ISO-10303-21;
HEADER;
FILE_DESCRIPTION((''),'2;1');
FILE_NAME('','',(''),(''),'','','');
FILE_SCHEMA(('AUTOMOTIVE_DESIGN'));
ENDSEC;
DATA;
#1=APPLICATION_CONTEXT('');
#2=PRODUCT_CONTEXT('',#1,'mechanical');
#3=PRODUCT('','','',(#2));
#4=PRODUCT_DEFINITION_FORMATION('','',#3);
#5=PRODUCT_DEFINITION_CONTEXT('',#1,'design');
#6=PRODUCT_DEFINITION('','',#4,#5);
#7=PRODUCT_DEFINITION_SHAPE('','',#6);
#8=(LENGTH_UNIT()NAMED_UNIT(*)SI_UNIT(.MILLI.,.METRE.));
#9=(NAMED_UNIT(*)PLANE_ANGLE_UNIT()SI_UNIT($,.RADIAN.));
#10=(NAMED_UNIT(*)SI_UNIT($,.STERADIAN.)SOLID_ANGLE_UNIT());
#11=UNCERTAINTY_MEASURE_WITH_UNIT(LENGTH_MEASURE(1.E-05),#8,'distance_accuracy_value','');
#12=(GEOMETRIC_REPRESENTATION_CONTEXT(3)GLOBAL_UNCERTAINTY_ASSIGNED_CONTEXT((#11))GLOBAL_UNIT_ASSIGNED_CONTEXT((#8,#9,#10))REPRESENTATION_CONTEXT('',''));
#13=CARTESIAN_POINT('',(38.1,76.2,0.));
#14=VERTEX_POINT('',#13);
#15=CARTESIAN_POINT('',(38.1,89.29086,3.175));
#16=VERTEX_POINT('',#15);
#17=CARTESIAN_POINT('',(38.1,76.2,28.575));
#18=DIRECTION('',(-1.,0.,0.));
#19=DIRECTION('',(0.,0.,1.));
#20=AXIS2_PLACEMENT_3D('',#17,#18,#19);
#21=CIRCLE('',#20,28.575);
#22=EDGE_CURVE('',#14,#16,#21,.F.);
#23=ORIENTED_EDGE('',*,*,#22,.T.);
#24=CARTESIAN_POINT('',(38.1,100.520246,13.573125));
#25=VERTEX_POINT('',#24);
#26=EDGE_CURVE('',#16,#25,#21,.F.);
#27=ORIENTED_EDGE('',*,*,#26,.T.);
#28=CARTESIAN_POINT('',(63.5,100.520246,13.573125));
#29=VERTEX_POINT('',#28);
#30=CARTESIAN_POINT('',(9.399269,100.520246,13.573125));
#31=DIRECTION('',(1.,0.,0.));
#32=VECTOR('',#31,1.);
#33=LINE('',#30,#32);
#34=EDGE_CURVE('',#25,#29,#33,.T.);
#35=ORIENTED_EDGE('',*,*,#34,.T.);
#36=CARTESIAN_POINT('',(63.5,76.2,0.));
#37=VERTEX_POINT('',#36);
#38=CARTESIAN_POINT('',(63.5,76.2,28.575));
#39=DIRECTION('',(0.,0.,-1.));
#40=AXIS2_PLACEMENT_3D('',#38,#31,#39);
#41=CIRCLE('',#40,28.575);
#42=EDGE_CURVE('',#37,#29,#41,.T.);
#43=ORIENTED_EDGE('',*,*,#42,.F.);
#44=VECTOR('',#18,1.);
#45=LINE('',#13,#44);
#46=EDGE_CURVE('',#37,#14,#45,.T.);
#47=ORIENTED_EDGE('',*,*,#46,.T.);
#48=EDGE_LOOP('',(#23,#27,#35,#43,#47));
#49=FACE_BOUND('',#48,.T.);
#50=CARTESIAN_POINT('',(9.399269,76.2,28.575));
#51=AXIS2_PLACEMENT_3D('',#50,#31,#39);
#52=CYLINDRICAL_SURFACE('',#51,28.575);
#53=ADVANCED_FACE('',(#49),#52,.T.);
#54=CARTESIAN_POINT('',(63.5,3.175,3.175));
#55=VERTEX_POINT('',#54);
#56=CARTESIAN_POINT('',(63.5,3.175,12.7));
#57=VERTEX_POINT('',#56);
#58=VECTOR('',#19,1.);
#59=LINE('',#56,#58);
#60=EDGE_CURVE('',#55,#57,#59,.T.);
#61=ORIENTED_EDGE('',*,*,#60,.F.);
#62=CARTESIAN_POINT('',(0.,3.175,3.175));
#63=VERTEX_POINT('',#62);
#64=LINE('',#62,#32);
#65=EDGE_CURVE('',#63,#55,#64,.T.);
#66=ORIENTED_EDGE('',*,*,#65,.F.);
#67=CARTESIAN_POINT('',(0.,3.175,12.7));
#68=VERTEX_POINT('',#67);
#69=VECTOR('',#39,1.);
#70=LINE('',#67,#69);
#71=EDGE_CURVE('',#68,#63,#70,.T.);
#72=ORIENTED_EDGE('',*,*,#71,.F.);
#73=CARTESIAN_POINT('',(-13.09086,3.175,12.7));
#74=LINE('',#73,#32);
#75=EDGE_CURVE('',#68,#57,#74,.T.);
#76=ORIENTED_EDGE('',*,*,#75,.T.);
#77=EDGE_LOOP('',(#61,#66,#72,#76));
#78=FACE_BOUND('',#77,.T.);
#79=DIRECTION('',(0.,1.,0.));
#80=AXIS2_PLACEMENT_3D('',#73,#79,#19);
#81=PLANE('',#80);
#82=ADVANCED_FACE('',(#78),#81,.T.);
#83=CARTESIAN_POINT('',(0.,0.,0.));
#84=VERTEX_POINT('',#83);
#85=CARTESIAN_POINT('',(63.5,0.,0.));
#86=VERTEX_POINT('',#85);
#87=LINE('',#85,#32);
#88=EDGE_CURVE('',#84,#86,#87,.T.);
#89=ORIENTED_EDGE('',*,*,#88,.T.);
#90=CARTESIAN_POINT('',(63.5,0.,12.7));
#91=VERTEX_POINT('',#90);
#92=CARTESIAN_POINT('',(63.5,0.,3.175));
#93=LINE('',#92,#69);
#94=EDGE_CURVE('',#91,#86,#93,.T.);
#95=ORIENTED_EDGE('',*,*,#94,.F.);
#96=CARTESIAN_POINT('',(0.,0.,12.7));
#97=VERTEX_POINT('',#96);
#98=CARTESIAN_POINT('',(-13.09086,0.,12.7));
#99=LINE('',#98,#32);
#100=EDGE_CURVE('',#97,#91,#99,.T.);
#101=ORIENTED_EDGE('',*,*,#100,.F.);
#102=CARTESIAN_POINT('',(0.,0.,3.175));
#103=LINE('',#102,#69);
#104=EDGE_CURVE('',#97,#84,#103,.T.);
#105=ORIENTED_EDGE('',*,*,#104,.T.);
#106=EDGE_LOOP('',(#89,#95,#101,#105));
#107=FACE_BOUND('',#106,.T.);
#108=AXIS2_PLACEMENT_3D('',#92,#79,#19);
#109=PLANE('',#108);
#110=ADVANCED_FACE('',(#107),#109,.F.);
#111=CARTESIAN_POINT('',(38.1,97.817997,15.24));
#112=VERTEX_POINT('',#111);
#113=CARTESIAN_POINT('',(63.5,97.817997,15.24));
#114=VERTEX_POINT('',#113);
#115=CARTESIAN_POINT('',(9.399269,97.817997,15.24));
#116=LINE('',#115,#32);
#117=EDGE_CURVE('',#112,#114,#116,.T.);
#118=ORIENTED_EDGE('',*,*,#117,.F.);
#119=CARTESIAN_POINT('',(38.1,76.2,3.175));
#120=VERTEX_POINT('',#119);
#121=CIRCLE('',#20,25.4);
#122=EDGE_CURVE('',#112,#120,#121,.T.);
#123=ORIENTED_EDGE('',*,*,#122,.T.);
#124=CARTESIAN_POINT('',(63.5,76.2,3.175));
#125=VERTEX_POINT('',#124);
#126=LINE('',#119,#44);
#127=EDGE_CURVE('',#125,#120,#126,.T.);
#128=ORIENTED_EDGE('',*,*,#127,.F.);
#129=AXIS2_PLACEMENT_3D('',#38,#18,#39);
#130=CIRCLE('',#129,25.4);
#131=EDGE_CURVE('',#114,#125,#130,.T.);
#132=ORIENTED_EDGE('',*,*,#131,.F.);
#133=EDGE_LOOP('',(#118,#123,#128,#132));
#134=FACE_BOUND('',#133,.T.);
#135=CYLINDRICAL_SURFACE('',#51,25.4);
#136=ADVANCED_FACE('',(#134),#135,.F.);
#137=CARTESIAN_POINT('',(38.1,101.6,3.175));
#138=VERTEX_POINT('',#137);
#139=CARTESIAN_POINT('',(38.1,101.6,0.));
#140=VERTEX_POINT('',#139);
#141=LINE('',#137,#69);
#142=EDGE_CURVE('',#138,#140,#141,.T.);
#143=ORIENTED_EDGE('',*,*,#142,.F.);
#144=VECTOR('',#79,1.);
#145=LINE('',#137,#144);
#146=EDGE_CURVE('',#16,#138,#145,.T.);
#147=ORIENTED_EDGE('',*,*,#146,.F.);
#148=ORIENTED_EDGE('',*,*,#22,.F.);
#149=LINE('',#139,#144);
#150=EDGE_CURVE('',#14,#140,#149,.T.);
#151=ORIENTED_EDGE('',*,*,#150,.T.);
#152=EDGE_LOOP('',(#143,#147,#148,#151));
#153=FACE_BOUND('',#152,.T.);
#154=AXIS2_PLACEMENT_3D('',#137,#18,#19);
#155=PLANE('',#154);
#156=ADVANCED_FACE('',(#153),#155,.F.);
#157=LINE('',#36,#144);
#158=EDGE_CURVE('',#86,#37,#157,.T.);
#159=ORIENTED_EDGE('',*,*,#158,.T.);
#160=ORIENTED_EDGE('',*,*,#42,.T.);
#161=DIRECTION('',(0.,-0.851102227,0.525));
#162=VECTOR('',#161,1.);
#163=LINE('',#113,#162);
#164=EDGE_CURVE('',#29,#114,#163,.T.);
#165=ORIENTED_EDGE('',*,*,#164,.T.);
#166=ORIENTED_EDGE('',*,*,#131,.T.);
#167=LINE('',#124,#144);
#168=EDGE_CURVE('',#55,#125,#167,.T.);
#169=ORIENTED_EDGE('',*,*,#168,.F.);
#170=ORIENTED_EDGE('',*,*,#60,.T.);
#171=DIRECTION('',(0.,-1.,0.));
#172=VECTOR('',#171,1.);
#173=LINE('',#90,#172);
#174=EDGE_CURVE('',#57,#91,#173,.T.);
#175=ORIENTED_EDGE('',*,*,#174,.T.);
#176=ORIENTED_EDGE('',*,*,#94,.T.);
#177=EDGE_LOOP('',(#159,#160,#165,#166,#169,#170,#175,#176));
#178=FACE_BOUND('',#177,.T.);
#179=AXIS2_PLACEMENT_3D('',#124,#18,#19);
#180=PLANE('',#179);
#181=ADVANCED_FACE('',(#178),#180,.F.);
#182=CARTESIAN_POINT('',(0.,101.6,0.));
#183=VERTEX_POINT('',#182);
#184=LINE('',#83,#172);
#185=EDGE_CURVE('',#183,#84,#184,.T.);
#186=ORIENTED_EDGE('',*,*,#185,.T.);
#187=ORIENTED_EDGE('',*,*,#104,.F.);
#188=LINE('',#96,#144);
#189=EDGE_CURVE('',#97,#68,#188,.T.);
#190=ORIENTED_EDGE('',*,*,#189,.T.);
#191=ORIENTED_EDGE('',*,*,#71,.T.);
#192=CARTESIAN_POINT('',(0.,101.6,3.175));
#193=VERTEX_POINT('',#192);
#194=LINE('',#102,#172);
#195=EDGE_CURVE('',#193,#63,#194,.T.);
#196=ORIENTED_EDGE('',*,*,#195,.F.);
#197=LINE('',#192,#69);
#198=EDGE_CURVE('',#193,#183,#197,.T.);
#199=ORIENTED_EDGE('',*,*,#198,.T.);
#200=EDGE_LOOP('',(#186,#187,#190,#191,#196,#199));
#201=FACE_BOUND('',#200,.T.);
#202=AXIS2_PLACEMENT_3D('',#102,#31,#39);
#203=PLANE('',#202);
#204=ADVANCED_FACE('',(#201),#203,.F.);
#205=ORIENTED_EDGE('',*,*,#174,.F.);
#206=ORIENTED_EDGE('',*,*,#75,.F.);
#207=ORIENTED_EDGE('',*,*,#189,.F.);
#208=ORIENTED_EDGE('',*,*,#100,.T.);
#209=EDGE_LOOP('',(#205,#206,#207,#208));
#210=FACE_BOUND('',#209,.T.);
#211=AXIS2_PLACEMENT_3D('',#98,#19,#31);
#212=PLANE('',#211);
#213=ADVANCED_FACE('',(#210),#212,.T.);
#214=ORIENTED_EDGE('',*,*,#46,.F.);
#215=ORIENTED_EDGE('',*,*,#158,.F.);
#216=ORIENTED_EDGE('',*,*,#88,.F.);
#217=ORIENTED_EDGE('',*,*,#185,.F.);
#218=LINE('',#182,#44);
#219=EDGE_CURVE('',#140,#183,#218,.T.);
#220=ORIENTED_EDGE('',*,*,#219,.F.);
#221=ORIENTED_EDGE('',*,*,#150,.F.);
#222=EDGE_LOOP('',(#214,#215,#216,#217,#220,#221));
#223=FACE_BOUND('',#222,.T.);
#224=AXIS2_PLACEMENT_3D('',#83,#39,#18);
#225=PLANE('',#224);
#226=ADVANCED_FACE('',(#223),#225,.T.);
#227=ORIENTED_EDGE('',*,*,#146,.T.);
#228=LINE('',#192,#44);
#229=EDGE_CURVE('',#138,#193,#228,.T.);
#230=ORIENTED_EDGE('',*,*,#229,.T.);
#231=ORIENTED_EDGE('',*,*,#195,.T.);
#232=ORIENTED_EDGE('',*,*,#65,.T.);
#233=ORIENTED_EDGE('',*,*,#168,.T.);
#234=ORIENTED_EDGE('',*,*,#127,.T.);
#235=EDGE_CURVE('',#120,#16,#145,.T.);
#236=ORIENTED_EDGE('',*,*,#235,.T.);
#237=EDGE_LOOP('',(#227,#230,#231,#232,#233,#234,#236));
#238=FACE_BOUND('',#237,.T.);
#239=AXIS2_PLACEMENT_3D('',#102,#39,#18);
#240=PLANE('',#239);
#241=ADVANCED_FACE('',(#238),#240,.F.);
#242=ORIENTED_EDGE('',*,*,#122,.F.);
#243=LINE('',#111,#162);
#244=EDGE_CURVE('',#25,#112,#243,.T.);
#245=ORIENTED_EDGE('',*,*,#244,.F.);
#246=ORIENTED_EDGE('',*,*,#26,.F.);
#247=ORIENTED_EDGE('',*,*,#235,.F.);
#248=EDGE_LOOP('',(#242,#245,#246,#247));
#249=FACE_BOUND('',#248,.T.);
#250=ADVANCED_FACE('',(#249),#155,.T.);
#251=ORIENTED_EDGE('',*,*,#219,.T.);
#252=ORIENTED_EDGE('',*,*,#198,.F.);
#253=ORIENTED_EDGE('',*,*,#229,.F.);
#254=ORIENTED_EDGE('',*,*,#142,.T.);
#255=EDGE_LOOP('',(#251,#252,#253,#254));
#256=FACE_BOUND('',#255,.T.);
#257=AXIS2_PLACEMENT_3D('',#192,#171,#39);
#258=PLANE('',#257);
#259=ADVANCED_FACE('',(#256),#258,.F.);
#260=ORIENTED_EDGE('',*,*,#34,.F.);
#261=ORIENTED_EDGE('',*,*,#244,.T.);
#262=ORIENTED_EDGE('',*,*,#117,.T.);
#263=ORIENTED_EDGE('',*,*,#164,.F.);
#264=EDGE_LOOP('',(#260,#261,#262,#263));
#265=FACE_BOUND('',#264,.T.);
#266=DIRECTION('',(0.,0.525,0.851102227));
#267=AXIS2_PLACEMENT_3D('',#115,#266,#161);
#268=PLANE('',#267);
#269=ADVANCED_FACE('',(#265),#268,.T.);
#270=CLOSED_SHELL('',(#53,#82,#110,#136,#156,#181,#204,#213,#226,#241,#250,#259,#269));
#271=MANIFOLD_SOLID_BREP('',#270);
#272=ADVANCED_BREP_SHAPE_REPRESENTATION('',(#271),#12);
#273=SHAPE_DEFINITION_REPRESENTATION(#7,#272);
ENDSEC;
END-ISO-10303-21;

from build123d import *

# Parameters (mm, degrees)
BOSS_EXTRUDE1_DEPTH = 3.175
BOSS_EXTRUDE2_DEPTH = 25.4
SKETCH4_W           = 12.7
SKETCH4_H           = 3.175
BOSS_EXTRUDE3_DEPTH = 63.5


with BuildPart() as part:
    # Sketch1 → Boss-Extrude1 (new body)
    with BuildSketch(Plane.XY):
        Polygon((0, 101.6), (38.1, 101.6), (38.1, 76.2), (63.5, 76.2), (63.5, 0), (0, 0), align=None)
    extrude(amount=BOSS_EXTRUDE1_DEPTH)

    # Sketch2 → Boss-Extrude2 (add)
    with BuildSketch(Plane(origin=(63.5, 0, 0), x_dir=(0, 0, -1), z_dir=(1, 0, 0))):
        with BuildLine():
            Line((-3.175, 76.2), (0, 76.2))
            ThreePointArc((0, 76.2), (-3.62295396, 90.12573242), (-13.573125, 100.520246123))
            Line((-13.573125, 100.520246123), (-15.24, 97.817996554))
            ThreePointArc((-15.24, 97.817996554), (-6.39540352, 88.578428818), (-3.175, 76.2))
        make_face()
    extrude(amount=-BOSS_EXTRUDE2_DEPTH)

    # Sketch4 → Boss-Extrude3 (add)
    with BuildSketch(Plane(origin=(63.5, 0, 0), x_dir=(0, 0, -1), z_dir=(1, 0, 0))):
        with Locations((-6.35, 1.5875)):
            Rectangle(SKETCH4_W, SKETCH4_H)
    extrude(amount=-BOSS_EXTRUDE3_DEPTH)


solid = part.part
